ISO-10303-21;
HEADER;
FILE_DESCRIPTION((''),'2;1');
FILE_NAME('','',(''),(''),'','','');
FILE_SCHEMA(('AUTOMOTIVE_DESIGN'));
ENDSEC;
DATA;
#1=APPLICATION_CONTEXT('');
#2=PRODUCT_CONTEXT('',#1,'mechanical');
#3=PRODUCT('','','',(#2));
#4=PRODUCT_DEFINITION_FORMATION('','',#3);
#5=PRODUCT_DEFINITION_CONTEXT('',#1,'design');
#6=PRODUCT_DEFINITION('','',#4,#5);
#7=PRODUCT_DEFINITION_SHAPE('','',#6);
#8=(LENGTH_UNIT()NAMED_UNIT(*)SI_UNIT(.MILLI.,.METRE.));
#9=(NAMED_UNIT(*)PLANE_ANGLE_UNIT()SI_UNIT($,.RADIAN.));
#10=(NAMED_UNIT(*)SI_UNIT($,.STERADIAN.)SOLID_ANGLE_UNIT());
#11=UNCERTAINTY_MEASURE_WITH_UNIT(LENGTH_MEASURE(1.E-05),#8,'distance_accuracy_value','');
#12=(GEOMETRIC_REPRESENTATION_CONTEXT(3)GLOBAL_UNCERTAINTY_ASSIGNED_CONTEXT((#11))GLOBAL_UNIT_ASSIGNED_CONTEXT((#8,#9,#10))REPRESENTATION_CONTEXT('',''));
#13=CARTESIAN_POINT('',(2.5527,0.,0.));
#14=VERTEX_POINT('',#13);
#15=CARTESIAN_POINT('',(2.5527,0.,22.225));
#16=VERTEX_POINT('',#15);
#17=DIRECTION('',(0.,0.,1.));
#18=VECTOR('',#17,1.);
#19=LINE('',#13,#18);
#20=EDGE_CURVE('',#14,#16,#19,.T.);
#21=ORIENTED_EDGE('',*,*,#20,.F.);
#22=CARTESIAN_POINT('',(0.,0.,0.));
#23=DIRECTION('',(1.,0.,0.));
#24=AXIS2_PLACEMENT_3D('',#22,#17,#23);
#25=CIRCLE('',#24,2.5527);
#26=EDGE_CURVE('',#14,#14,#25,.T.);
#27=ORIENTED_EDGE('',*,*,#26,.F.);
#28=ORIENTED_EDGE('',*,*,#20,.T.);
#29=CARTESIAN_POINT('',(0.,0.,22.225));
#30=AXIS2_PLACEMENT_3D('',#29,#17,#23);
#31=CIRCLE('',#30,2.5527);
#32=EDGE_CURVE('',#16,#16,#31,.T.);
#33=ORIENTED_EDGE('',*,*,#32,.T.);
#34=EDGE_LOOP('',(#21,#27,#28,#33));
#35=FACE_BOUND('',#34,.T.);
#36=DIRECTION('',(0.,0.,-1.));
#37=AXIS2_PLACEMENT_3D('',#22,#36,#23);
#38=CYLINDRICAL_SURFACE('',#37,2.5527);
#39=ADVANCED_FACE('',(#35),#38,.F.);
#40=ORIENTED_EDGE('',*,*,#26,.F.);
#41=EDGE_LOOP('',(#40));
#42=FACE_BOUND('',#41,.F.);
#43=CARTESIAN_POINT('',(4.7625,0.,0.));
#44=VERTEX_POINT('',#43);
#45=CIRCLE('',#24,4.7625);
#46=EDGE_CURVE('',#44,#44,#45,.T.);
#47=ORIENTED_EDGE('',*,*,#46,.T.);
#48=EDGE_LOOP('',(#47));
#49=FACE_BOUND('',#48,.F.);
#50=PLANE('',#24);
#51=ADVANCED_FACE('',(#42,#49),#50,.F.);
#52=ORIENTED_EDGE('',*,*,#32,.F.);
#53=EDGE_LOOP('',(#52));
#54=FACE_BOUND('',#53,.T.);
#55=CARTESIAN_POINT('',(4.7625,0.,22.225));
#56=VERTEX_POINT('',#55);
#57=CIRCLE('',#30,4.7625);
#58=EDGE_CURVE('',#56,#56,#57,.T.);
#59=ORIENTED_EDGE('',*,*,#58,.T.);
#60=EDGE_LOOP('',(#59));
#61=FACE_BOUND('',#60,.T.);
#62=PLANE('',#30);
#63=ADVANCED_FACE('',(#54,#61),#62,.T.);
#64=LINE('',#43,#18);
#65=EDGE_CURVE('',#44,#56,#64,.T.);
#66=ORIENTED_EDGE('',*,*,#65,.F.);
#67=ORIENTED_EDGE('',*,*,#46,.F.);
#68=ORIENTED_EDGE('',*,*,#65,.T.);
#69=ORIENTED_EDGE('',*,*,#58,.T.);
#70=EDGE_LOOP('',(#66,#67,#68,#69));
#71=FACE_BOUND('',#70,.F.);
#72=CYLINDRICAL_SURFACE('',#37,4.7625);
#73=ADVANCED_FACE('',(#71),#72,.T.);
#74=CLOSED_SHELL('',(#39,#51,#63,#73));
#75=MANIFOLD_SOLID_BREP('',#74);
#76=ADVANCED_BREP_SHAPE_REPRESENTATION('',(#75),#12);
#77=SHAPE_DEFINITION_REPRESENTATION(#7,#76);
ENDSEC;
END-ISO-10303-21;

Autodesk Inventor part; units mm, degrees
ref_plane "YZ Plane" through (0, 0, 0) normal (1, 0, 0) x (0, 1, 0)
ref_plane "XZ Plane" through (0, 0, 0) normal (0, 1, 0) x (-1, 0, 0)
ref_plane "XY Plane" through (0, 0, 0) normal (0, 0, 1) x (1, 0, 0)
sketch "Sketch1" plane through (0, 0, 0) normal (0, 0, 1) x (1, 0, 0)
  circle A0 centre (0, 0) radius 4.7625
  circle A1 centre (0, 0) radius 2.5527
  dimension "d0" = 9.525
  dimension "d1" = 5.1054
extrude "Extrusion1" add sketch "Sketch1" along normal blind 22.225
properties part number "CL1-006" material "Aluminum 6061"
